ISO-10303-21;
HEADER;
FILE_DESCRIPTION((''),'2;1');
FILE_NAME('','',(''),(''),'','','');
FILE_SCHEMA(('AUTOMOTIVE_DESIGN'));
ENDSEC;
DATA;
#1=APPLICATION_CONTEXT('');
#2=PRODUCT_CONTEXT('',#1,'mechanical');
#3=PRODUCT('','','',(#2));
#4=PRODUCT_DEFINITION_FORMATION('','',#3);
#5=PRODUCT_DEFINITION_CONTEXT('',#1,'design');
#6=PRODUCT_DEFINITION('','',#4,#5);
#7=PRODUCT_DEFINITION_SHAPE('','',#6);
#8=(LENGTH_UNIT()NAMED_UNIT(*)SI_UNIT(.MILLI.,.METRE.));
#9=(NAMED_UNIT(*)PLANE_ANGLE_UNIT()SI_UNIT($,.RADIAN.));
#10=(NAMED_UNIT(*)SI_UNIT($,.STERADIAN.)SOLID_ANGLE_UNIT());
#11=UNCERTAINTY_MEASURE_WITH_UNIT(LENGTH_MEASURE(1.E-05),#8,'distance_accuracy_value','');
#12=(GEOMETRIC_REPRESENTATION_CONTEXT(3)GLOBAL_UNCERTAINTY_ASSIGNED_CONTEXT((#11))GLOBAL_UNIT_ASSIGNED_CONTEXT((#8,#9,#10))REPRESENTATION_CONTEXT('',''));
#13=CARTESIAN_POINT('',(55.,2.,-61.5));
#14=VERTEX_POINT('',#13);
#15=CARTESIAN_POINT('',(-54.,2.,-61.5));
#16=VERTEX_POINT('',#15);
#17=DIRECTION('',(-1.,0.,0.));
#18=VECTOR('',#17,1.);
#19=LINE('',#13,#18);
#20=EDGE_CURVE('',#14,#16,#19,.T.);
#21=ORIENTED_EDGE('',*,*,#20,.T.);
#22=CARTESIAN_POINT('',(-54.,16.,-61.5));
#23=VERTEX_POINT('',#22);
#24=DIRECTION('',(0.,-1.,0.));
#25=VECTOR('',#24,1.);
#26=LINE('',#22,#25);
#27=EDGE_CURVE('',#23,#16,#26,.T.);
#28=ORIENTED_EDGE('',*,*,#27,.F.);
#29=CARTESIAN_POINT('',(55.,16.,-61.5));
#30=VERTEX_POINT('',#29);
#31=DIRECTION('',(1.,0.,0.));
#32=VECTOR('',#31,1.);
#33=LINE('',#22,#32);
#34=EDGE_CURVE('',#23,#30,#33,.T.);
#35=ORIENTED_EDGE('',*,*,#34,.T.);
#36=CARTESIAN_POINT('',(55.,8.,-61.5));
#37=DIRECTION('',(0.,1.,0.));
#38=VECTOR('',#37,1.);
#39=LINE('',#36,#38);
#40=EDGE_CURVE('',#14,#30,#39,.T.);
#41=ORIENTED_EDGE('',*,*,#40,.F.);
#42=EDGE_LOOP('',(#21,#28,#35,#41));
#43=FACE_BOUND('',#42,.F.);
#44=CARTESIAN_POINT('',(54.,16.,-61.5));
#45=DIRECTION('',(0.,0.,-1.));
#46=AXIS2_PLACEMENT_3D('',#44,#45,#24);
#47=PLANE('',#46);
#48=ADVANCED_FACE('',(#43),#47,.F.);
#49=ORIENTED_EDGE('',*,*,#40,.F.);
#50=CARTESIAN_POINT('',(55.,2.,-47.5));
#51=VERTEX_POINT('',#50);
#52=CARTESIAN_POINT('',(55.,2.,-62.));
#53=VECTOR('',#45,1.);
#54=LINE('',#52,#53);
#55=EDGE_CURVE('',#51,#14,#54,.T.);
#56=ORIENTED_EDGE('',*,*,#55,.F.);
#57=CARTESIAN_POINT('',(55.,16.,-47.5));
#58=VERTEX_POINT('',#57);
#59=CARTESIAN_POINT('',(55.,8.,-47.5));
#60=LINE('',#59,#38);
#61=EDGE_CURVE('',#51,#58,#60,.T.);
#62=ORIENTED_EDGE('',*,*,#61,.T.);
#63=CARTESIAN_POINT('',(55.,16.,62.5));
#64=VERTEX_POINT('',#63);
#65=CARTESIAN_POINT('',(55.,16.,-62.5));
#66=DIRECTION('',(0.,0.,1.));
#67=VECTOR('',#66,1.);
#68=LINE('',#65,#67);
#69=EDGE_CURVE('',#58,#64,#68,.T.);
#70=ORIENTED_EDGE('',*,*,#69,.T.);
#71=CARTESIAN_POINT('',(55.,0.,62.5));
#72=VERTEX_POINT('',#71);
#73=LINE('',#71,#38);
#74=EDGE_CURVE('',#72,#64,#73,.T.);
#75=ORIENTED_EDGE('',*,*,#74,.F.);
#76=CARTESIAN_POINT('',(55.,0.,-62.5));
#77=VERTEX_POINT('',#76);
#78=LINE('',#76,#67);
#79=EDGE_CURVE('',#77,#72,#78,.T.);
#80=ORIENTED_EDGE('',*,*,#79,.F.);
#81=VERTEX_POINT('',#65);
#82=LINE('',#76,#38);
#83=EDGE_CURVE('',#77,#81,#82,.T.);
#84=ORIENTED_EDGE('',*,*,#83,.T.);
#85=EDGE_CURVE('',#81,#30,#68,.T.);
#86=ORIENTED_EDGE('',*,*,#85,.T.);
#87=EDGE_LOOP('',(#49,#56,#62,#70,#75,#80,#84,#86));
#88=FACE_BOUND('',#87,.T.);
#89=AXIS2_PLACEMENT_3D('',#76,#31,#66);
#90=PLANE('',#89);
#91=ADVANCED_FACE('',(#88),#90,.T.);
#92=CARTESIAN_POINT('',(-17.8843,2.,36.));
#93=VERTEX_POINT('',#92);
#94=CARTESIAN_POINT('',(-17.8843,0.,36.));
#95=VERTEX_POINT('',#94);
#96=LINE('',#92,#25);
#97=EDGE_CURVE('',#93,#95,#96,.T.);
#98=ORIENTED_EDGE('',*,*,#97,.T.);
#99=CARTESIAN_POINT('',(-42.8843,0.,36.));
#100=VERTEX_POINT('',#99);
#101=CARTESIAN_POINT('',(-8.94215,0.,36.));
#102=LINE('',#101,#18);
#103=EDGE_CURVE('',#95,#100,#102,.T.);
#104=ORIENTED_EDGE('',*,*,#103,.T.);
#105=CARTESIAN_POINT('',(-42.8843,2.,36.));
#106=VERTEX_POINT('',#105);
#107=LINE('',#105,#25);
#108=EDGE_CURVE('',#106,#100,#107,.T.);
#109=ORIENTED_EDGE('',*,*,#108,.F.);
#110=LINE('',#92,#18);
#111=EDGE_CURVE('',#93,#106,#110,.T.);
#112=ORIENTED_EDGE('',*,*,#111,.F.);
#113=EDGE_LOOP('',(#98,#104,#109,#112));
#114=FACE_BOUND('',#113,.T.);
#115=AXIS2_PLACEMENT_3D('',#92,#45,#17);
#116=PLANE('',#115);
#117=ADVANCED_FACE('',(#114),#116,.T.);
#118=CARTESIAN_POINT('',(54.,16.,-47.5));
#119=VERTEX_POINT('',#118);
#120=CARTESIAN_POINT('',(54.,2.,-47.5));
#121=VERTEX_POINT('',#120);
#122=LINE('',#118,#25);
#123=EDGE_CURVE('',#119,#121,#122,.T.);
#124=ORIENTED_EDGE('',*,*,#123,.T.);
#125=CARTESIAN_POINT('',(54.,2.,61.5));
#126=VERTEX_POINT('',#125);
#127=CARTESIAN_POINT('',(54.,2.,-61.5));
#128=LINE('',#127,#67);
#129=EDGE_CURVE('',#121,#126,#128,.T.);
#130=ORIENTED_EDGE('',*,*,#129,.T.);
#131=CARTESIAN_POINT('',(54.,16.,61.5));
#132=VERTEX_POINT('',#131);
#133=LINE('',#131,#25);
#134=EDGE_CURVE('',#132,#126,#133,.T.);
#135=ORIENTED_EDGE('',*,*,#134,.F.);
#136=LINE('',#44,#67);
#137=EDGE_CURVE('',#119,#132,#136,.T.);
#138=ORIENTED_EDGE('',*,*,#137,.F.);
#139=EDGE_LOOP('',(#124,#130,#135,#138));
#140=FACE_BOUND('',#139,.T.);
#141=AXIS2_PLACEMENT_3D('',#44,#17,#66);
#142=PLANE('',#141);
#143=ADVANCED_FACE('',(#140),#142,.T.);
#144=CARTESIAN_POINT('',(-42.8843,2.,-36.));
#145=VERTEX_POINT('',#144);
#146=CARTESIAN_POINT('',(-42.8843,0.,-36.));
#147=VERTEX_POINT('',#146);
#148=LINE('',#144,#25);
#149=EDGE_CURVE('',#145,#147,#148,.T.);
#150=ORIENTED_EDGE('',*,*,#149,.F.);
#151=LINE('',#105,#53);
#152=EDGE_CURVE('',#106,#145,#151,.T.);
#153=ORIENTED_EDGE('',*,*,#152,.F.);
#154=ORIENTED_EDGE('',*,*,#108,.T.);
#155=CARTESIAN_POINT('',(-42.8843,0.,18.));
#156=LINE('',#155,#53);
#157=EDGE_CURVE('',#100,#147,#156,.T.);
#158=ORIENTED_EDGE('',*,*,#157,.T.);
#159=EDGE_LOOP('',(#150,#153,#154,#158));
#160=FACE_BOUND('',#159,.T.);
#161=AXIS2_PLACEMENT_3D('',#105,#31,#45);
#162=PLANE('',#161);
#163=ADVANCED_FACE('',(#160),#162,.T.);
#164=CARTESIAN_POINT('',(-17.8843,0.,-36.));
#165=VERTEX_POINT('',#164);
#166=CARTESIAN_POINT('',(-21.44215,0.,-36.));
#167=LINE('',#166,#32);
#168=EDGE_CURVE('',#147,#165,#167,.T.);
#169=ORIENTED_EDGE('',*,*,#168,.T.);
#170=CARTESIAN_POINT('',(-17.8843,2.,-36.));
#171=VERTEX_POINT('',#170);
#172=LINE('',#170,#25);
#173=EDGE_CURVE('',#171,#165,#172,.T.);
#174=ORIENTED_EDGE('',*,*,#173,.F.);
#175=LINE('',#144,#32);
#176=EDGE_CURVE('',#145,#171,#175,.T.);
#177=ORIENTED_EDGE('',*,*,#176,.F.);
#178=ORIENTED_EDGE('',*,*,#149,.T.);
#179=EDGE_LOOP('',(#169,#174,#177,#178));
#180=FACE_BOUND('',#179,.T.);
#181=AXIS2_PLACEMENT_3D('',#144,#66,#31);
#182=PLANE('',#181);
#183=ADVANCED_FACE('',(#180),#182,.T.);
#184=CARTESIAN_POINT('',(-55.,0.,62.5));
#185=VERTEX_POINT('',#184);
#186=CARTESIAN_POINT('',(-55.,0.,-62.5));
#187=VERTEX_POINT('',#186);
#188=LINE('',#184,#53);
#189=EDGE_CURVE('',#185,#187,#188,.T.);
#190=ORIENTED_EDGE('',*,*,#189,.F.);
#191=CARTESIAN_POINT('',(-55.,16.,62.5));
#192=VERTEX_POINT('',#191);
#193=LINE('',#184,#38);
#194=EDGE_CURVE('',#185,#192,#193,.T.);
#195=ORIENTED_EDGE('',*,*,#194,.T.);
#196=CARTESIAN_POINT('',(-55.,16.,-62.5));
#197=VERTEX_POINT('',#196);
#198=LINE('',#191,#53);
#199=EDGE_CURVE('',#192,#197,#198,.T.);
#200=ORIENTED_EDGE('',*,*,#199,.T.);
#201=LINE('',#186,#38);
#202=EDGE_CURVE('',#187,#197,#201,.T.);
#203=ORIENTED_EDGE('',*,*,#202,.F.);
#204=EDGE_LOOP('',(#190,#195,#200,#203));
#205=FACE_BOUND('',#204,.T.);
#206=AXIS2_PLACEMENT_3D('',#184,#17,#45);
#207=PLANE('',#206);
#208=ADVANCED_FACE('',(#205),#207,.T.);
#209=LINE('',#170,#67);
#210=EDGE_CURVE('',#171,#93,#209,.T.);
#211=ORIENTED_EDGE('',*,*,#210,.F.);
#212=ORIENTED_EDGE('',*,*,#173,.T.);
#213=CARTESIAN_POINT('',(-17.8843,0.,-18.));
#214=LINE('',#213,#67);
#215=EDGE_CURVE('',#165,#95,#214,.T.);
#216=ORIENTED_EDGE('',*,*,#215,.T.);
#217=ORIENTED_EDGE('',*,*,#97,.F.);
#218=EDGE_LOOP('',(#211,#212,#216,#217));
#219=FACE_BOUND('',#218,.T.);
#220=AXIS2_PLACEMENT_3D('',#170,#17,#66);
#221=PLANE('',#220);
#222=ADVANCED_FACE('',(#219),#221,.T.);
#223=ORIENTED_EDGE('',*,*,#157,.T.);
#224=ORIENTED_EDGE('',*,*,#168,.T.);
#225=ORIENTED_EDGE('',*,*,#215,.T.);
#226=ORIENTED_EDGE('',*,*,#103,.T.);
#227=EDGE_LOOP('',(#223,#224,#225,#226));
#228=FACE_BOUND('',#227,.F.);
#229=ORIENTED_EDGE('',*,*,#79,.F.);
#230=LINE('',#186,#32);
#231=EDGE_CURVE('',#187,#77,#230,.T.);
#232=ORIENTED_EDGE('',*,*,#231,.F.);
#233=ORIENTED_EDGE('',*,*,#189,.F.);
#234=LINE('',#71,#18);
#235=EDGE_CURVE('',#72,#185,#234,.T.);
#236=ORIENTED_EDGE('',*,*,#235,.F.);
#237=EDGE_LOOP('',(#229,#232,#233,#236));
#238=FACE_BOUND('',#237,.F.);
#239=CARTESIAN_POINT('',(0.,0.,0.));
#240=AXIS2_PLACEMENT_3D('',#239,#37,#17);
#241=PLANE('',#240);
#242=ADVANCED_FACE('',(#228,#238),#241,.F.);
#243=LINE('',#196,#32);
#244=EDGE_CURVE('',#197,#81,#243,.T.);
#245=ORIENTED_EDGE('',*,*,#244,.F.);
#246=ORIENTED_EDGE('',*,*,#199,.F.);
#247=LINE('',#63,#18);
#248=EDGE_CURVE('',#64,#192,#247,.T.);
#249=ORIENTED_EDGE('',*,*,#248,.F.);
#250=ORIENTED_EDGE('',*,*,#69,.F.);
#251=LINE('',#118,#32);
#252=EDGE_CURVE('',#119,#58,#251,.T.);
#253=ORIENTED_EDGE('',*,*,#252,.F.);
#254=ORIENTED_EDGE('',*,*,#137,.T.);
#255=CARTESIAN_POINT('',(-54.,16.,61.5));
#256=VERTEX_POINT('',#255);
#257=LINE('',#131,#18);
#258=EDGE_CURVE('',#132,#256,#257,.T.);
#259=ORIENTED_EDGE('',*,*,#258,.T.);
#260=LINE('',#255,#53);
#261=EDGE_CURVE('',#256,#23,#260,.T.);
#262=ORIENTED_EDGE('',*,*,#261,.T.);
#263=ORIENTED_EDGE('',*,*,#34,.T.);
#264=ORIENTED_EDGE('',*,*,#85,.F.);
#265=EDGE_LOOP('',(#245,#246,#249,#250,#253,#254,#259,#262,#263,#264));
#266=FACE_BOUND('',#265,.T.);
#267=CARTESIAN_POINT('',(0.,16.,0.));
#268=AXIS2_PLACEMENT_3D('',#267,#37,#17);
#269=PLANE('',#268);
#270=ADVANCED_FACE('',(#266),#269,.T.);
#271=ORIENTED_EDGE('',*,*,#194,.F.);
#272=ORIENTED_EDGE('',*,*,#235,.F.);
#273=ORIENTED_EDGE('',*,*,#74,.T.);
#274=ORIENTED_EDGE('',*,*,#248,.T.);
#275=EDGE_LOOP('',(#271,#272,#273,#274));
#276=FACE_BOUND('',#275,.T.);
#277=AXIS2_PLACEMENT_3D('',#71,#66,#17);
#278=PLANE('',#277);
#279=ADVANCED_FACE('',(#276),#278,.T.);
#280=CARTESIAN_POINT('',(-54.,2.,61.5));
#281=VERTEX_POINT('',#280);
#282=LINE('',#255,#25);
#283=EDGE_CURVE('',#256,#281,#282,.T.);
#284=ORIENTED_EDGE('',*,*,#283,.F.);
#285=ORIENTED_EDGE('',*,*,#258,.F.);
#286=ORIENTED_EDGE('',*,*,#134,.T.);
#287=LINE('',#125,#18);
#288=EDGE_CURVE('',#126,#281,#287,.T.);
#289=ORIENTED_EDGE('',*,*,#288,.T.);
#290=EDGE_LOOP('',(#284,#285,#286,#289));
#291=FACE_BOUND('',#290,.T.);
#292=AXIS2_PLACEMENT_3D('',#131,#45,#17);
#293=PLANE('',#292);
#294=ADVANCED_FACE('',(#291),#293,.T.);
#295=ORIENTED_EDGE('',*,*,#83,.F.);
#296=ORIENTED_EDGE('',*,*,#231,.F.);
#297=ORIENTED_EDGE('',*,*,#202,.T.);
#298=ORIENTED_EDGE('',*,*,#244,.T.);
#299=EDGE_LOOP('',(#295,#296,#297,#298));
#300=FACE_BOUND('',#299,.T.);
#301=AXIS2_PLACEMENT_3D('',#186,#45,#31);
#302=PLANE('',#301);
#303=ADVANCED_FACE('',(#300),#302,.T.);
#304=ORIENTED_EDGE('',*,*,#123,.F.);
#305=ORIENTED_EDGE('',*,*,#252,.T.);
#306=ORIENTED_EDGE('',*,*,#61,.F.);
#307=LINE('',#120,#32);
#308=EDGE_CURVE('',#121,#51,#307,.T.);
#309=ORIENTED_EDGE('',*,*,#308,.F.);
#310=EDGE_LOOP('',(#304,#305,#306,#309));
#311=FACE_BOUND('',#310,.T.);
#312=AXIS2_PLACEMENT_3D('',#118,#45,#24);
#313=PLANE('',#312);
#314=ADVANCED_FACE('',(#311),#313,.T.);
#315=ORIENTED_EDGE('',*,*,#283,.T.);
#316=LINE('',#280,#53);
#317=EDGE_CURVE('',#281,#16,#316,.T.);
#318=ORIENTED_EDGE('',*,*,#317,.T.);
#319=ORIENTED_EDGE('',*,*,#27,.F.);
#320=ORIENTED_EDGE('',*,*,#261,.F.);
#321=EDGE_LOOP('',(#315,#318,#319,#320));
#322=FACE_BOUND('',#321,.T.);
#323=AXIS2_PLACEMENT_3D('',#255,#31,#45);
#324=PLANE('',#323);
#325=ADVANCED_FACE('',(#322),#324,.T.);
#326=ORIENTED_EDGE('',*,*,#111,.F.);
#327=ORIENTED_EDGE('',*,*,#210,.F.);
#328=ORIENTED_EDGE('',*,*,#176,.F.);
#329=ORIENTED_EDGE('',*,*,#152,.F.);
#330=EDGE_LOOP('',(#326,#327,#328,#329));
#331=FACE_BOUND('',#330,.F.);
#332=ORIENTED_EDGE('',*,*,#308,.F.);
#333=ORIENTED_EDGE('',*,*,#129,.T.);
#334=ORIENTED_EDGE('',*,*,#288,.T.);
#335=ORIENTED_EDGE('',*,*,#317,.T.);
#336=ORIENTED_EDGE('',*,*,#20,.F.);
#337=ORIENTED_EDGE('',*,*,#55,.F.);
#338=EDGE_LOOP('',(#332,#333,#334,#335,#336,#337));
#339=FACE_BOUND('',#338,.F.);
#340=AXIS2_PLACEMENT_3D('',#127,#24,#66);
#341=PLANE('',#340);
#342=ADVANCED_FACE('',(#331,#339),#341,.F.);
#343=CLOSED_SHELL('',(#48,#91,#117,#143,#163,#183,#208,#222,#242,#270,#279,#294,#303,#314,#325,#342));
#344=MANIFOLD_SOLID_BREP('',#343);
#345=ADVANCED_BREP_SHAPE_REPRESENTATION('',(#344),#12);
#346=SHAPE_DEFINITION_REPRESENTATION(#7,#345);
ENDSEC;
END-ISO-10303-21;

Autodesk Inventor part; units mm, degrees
ref_plane "YZ Plane" through (0, 0, 0) normal (1, 0, 0) x (0, 1, 0)
ref_plane "XZ Plane" through (0, 0, 0) normal (0, 1, 0) x (-1, 0, 0)
ref_plane "XY Plane" through (0, 0, 0) normal (0, 0, 1) x (1, 0, 0)
sketch "Sketch1" plane through (0, 0, 0) normal (0, 1, 0) x (-1, 0, 0)
  line L0 (-55, 62.5) -> (55, 62.5)
  line L1 (55, 62.5) -> (55, -62.5)
  line L2 (55, -62.5) -> (-55, -62.5)
  line L3 (-55, -62.5) -> (-55, 62.5)
  line L4 (-55, 62.5) -> (55, -62.5) construction
  line L5 (55, 62.5) -> (-55, -62.5) construction
  point P0 (0, 0)
  dimension "d0" = 125
  dimension "d1" = 110
extrude "Extrusion1" add sketch "Sketch1" along normal blind 16
sketch "Sketch2" plane through (0, 16, 0) normal (0, 1, 0) x (1, 0, 0)
  line L0 (54, -61.5) -> (-54, -61.5)
  line L1 (-54, -61.5) -> (-54, 61.5)
  line L2 (-54, 61.5) -> (54, 61.5)
  line L3 (54, 61.5) -> (54, -61.5)
  line L4 (54, -61.5) -> (-54, 61.5) construction
  line L5 (-54, -61.5) -> (54, 61.5) construction
  point P0 (0, 0)
  dimension "d4" = 123
  dimension "d5" = 108
extrude "Extrusion2" cut sketch "Sketch2" against normal blind 14
sketch "Sketch3" plane through (0, 2, 0) normal (0, 1, 0) x (1, 0, 0)
  point P0 (0, 0)
sketch "Sketch4" plane through (0, 2, 0) normal (0, 1, 0) x (1, 0, 0)
  line L0 (-17.8843, -36) -> (-42.8843, -36)
  line L1 (-42.8843, -36) -> (-42.8843, 36)
  line L2 (-42.8843, 36) -> (-17.8843, 36)
  line L3 (-17.8843, 36) -> (-17.8843, -36)
  line L4 (-17.8843, -36) -> (-42.8843, 36) construction
  line L5 (-42.8843, -36) -> (-17.8843, 36) construction
  point P0 (0, 0)
  point P1 (-30.3843, 0)
  dimension "d8" = 72
  dimension "d9" = 25
extrude "Extrusion3" cut sketch "Sketch4" against normal blind 14
sketch "Sketch5" plane through (54, 16, -61.5) normal (-1, 0, 0) x (0, 0, 1)
  point P0 (61.5, -16)
sketch "Sketch6" plane through (54, 16, -61.5) normal (-1, 0, 0) x (0, 0, 1)
  line L0 (0, 0) -> (0, -14) projected
  line L1 (0, -14) -> (123, -14) projected
  line L2 (0, 0) -> (14, 0)
  line L3 (14, 0) -> (14, -14)
  line L4 (14, -14) -> (0, -14)
  line L5 (0, -14) -> (0, 0)
  point P0 (61.5, -16)
  dimension "d12" = 14
  dimension "d13" = 123
  dimension "d14" = 14
extrude "Extrusion4" cut sketch "Sketch6" against normal blind 14
properties part number "kotak_v2"
